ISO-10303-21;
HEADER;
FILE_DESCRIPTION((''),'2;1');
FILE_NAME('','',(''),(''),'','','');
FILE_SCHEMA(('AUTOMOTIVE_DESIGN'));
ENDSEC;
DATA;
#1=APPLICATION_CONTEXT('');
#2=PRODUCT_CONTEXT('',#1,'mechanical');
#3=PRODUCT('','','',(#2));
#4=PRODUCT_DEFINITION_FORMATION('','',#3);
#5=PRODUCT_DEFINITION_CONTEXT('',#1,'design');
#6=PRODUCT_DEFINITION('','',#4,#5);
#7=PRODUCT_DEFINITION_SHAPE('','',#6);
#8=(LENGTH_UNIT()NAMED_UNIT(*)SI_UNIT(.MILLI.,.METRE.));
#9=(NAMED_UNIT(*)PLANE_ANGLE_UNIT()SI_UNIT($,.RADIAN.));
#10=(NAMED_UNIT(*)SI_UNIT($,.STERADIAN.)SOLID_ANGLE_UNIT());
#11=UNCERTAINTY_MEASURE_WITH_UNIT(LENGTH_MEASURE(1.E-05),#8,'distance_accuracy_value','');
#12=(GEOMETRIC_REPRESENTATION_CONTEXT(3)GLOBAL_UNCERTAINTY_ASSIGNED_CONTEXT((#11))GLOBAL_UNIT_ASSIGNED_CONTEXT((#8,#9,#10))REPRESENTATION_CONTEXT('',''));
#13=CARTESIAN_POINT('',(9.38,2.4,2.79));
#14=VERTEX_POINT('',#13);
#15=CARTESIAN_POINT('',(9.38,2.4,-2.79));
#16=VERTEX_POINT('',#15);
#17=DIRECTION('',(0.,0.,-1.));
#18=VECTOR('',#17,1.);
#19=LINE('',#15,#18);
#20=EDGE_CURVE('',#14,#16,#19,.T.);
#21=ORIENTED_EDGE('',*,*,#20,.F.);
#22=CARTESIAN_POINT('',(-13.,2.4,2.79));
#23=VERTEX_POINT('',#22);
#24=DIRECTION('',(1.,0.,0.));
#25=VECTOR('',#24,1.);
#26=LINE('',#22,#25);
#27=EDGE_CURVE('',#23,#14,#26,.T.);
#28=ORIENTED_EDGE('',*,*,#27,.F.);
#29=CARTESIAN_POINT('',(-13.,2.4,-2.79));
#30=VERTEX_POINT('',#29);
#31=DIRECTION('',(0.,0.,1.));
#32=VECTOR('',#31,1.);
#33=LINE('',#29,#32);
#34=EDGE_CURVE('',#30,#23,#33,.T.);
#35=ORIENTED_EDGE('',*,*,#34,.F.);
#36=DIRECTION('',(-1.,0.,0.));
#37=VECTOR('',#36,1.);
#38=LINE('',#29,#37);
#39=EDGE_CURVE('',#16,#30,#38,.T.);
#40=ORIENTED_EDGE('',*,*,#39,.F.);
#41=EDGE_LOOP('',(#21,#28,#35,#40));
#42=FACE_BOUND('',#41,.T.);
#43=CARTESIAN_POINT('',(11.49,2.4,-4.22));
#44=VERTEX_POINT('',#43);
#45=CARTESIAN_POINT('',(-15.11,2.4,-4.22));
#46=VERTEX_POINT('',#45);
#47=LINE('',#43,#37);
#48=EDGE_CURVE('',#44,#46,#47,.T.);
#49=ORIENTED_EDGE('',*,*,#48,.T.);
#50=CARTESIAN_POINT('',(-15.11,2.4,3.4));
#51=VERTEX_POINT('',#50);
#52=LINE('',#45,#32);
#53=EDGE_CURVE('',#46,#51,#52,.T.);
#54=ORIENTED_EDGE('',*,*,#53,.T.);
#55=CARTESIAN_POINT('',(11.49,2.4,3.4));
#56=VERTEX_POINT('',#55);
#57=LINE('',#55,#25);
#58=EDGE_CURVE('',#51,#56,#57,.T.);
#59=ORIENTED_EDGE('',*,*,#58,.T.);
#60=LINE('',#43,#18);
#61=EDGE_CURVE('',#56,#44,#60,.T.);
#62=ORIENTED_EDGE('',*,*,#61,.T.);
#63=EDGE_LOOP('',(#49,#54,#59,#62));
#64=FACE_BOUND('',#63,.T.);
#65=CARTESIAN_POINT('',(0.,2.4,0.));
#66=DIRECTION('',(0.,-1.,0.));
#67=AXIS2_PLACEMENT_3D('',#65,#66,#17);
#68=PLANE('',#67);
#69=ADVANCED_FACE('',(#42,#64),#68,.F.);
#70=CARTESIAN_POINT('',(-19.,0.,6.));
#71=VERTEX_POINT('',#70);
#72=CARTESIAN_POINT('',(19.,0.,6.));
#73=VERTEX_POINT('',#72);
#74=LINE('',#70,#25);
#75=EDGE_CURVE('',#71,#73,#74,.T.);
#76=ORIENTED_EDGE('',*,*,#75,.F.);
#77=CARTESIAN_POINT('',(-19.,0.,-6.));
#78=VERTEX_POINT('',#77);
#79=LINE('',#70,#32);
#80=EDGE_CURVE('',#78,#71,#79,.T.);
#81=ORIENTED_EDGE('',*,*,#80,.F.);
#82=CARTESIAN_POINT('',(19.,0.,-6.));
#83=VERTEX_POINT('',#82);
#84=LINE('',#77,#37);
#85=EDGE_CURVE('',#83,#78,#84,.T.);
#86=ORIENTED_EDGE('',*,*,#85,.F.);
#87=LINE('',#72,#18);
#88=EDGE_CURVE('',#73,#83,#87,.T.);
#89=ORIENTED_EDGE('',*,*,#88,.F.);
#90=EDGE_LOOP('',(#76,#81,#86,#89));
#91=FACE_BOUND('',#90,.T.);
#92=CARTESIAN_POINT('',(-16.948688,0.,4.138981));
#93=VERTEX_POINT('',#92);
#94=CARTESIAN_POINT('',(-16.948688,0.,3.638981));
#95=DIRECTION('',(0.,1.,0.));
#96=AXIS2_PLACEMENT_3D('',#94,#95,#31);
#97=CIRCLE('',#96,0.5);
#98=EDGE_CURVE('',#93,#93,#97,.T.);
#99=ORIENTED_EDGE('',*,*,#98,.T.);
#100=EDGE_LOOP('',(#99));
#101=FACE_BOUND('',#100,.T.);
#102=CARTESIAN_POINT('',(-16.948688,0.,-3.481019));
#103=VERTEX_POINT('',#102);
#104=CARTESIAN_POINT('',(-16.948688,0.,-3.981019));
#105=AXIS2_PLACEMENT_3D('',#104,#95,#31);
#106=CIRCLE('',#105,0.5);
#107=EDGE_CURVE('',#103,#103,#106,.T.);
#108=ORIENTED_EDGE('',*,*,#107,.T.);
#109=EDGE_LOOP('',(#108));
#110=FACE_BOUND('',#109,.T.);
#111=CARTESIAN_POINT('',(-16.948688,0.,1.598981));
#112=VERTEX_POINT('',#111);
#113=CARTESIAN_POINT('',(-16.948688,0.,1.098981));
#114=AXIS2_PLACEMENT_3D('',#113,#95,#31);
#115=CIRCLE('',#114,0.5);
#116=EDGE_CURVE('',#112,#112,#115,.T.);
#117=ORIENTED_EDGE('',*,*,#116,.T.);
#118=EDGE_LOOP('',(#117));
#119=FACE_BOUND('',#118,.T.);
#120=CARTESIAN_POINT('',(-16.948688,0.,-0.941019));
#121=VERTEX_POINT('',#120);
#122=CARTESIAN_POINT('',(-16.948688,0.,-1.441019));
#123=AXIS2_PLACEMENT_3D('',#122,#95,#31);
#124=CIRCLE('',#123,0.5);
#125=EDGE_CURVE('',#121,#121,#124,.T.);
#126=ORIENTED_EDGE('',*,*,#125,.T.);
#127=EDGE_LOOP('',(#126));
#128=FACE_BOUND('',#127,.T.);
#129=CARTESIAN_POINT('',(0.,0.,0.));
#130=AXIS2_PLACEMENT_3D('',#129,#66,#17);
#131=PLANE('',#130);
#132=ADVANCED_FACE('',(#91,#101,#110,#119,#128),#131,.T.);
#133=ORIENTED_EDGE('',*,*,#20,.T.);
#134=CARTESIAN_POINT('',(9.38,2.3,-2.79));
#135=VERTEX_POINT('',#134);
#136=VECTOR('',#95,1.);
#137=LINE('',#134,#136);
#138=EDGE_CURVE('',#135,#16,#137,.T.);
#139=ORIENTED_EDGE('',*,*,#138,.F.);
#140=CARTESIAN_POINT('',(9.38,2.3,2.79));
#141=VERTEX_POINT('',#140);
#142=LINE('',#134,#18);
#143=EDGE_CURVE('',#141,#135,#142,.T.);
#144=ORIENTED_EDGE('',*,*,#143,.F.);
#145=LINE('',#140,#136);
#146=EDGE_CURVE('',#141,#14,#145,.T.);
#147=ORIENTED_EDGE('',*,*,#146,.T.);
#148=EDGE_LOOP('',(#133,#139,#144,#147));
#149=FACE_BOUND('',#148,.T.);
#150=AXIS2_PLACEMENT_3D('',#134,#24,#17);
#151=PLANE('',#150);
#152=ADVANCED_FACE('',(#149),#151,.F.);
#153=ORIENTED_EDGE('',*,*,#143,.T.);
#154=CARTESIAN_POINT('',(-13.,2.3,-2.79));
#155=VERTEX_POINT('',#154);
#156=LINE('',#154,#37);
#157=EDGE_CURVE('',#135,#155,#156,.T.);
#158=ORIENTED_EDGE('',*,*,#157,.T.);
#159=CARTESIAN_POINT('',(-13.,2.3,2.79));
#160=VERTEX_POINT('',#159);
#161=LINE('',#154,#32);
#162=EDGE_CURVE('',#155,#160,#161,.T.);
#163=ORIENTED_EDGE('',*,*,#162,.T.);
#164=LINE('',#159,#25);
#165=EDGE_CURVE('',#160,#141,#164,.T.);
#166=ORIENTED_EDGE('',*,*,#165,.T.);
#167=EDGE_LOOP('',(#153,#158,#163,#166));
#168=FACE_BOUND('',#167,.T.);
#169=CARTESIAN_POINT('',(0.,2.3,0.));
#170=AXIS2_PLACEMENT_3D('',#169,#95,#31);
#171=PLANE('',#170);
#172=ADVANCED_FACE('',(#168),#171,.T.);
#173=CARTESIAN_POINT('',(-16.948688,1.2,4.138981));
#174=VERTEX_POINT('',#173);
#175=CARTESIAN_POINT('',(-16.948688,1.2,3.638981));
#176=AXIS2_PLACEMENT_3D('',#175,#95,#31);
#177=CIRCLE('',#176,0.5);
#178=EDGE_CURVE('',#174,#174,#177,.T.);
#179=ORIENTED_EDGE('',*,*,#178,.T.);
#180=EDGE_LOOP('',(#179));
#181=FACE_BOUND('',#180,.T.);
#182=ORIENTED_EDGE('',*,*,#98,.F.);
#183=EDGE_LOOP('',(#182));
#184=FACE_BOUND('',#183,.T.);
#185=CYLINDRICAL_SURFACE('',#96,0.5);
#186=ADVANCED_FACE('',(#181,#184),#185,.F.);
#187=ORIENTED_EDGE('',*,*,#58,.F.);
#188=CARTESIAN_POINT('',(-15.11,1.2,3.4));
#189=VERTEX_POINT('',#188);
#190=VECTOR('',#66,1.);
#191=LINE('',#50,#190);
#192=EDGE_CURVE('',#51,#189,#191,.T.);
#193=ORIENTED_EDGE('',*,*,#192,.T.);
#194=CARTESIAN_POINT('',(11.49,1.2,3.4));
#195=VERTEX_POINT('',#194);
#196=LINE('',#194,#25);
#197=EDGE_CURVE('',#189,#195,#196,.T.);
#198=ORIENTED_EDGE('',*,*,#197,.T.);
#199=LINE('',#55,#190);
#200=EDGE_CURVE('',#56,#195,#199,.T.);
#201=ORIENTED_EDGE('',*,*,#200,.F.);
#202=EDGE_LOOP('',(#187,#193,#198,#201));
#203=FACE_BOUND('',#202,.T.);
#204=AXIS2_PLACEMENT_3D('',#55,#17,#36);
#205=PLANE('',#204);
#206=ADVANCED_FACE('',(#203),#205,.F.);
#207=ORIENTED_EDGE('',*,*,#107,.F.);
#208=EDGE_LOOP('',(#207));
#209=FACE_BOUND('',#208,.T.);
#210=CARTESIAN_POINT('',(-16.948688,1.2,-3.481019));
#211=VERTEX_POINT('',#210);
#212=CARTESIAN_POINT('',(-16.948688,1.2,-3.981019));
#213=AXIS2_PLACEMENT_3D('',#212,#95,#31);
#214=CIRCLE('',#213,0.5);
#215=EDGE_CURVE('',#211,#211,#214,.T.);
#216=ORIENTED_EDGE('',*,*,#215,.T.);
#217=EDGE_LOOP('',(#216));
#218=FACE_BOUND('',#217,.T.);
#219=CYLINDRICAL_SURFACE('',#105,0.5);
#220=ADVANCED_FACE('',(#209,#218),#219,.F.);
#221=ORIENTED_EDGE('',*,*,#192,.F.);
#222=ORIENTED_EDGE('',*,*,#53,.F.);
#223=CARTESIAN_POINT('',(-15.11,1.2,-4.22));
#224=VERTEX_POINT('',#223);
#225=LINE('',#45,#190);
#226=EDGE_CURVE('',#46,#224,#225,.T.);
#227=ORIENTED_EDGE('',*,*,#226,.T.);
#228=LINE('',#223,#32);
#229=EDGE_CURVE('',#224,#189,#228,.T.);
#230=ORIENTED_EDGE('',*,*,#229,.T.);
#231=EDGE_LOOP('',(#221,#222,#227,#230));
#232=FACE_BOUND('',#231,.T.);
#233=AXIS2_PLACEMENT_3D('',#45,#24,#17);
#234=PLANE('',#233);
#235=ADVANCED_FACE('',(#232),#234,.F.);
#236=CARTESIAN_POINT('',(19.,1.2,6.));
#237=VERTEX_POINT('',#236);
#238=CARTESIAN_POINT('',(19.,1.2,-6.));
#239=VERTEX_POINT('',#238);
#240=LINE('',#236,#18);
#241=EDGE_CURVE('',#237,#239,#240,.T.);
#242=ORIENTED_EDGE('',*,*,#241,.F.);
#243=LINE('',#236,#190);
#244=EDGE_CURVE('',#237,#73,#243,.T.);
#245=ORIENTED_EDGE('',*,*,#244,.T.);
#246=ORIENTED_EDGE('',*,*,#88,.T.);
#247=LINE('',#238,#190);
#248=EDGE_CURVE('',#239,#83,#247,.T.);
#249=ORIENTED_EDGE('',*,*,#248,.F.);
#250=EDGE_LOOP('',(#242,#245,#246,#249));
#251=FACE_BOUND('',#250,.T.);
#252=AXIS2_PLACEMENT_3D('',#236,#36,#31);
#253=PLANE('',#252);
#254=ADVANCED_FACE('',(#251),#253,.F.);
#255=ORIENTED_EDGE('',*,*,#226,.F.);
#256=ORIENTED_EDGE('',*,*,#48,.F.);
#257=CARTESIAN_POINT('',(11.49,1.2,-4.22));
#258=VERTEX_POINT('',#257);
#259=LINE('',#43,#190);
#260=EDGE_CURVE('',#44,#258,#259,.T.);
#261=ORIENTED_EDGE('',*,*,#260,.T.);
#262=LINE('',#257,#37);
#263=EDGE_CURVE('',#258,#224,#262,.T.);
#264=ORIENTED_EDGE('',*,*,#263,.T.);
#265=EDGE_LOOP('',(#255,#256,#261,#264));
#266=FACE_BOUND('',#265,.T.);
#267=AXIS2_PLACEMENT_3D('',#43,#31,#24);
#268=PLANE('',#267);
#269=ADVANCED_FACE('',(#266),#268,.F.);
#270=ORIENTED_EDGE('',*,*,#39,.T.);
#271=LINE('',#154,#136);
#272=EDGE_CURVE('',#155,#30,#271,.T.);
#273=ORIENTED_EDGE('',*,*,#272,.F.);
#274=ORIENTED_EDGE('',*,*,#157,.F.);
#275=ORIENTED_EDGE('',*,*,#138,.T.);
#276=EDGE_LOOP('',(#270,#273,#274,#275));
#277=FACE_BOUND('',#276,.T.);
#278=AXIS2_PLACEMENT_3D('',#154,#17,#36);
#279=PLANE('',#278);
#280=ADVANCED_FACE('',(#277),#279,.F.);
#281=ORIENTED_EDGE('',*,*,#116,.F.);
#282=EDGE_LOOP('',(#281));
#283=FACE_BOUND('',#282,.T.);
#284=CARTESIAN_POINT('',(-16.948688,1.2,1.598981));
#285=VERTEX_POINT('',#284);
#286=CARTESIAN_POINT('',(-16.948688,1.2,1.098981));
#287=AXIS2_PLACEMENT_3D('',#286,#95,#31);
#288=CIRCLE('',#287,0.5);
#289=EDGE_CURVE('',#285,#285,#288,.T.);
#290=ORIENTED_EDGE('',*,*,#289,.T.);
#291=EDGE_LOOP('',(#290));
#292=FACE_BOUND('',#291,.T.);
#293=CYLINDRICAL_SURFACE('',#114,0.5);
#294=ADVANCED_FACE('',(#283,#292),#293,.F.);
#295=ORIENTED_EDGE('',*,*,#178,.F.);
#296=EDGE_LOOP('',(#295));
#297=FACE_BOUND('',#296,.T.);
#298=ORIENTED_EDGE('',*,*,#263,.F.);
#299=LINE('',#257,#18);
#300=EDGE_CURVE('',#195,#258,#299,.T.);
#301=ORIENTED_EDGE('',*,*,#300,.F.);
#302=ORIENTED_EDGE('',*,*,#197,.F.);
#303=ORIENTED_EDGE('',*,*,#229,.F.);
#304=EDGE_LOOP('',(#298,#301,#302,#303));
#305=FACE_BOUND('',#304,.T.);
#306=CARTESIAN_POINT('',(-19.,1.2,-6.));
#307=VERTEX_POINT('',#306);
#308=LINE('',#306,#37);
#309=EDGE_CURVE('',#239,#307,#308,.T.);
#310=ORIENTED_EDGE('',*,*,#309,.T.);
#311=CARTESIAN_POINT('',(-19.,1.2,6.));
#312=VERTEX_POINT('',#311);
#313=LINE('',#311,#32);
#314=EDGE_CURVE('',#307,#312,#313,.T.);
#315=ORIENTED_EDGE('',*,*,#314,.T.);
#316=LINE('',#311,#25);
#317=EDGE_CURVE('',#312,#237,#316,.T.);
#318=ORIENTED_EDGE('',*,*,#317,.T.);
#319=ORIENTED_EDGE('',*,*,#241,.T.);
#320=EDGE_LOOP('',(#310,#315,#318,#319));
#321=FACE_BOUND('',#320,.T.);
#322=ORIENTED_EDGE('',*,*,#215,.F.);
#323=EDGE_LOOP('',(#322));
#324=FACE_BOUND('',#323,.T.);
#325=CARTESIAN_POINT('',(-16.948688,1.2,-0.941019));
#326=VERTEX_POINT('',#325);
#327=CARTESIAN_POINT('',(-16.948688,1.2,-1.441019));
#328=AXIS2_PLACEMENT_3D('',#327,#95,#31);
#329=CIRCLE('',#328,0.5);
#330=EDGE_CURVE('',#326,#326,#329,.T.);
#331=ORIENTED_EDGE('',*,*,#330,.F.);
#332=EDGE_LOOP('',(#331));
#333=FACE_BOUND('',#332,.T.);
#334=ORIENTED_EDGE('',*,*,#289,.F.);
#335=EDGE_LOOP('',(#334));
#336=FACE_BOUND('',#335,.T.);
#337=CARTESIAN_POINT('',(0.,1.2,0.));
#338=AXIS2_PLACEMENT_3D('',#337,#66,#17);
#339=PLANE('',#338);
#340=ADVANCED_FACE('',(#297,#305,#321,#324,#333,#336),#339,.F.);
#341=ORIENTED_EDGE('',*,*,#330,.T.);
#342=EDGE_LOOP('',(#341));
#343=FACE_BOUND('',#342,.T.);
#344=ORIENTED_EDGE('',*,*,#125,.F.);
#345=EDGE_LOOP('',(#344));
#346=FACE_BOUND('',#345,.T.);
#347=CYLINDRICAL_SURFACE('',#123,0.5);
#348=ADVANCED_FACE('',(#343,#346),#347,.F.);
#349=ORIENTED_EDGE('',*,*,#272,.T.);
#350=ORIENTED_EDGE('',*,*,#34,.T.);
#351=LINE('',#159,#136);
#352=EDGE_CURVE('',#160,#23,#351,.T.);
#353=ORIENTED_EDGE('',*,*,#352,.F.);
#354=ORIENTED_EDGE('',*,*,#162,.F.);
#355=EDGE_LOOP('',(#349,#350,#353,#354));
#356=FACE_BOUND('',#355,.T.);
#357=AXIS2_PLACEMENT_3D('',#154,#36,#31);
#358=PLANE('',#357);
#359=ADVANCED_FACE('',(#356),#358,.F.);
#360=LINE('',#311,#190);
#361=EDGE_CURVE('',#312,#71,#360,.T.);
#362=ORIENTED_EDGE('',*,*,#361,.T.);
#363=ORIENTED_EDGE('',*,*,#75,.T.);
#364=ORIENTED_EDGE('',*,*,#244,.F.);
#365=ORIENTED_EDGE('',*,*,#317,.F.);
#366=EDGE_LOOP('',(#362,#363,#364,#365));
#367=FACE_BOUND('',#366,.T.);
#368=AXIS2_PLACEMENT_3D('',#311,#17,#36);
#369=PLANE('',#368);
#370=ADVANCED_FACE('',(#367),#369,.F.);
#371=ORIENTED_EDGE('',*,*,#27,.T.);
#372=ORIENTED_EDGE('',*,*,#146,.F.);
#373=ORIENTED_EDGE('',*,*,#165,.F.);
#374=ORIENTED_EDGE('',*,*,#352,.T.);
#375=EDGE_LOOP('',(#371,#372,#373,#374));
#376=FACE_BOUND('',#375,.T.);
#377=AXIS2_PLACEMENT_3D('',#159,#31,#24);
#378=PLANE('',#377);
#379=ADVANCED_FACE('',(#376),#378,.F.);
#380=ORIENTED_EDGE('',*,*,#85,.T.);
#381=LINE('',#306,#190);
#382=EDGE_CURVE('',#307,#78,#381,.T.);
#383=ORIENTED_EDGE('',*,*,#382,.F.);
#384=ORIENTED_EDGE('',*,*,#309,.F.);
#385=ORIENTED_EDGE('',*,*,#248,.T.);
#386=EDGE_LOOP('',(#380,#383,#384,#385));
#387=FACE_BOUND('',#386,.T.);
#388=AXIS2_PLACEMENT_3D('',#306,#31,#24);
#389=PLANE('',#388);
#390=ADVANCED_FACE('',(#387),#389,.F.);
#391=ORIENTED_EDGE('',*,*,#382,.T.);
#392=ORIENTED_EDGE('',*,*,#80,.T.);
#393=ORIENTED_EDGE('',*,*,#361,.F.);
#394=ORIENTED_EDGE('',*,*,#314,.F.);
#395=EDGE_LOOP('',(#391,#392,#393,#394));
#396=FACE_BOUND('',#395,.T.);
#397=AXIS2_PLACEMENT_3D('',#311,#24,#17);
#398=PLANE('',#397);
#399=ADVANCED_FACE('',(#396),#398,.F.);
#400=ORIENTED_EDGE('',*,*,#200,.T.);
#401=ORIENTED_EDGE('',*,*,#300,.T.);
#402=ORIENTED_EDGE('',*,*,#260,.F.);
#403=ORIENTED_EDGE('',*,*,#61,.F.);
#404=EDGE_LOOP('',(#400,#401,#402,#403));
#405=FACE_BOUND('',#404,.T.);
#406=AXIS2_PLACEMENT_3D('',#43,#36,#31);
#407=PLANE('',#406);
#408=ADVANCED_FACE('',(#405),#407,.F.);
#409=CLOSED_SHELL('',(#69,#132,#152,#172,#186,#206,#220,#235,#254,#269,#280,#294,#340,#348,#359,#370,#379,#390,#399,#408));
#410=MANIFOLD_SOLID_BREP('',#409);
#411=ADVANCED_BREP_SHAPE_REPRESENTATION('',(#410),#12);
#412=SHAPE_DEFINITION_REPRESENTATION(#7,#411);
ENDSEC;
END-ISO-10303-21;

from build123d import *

# Parameters (mm, degrees)
SKETCH1_W           = 38
SKETCH1_H           = 12
BOSS_EXTRUDE1_DEPTH = 1.2
SKETCH2_W           = 26.6
SKETCH2_H           = 7.62
BOSS_EXTRUDE2_DEPTH = 1.2
SKETCH3_W           = 22.38
SKETCH3_H           = 5.58
CUT_EXTRUDE1_DEPTH  = 0.1
SKETCH4_R           = 0.5
CUT_EXTRUDE2_DEPTH  = 20.960961901


with BuildPart() as part:
    # Sketch1 → Boss-Extrude1 (new body)
    with BuildSketch(Plane(origin=(0, 0, 0), x_dir=(1, 0, 0), z_dir=(0, 1, 0))):
        Rectangle(SKETCH1_W, SKETCH1_H)
    extrude(amount=BOSS_EXTRUDE1_DEPTH)

    # Sketch2 → Boss-Extrude2 (add)
    with BuildSketch(Plane(origin=(0, 1.2, 0), x_dir=(1, 0, 0), z_dir=(0, 1, 0))):
        with Locations((-1.81, 0.41)):
            Rectangle(SKETCH2_W, SKETCH2_H)
    extrude(amount=BOSS_EXTRUDE2_DEPTH)

    # Sketch3 → Cut-Extrude1 (cut)
    with BuildSketch(Plane(origin=(0, 2.4, 0), x_dir=(1, 0, 0), z_dir=(0, 1, 0))):
        with Locations((-1.81, 0)):
            Rectangle(SKETCH3_W, SKETCH3_H)
    extrude(amount=-CUT_EXTRUDE1_DEPTH, mode=Mode.SUBTRACT)

    # Sketch4 → Cut-Extrude2 (cut, through all)
    with BuildSketch(Plane(origin=(0, 1.2, 0), x_dir=(1, 0, 0), z_dir=(0, 1, 0))):
        with Locations(Location((-16.948688295, 3.981018796, 0), (0, 0, 270))):
            Circle(SKETCH4_R)
        with Locations(Location((-16.948688295, 1.441018796, 0), (0, 0, 270))):
            Circle(SKETCH4_R)
        with Locations(Location((-16.948688295, -1.098981204, 0), (0, 0, 270))):
            Circle(SKETCH4_R)
        with Locations(Location((-16.948688295, -3.638981204, 0), (0, 0, 270))):
            Circle(SKETCH4_R)
    extrude(amount=-CUT_EXTRUDE2_DEPTH, mode=Mode.SUBTRACT)


solid = part.part
